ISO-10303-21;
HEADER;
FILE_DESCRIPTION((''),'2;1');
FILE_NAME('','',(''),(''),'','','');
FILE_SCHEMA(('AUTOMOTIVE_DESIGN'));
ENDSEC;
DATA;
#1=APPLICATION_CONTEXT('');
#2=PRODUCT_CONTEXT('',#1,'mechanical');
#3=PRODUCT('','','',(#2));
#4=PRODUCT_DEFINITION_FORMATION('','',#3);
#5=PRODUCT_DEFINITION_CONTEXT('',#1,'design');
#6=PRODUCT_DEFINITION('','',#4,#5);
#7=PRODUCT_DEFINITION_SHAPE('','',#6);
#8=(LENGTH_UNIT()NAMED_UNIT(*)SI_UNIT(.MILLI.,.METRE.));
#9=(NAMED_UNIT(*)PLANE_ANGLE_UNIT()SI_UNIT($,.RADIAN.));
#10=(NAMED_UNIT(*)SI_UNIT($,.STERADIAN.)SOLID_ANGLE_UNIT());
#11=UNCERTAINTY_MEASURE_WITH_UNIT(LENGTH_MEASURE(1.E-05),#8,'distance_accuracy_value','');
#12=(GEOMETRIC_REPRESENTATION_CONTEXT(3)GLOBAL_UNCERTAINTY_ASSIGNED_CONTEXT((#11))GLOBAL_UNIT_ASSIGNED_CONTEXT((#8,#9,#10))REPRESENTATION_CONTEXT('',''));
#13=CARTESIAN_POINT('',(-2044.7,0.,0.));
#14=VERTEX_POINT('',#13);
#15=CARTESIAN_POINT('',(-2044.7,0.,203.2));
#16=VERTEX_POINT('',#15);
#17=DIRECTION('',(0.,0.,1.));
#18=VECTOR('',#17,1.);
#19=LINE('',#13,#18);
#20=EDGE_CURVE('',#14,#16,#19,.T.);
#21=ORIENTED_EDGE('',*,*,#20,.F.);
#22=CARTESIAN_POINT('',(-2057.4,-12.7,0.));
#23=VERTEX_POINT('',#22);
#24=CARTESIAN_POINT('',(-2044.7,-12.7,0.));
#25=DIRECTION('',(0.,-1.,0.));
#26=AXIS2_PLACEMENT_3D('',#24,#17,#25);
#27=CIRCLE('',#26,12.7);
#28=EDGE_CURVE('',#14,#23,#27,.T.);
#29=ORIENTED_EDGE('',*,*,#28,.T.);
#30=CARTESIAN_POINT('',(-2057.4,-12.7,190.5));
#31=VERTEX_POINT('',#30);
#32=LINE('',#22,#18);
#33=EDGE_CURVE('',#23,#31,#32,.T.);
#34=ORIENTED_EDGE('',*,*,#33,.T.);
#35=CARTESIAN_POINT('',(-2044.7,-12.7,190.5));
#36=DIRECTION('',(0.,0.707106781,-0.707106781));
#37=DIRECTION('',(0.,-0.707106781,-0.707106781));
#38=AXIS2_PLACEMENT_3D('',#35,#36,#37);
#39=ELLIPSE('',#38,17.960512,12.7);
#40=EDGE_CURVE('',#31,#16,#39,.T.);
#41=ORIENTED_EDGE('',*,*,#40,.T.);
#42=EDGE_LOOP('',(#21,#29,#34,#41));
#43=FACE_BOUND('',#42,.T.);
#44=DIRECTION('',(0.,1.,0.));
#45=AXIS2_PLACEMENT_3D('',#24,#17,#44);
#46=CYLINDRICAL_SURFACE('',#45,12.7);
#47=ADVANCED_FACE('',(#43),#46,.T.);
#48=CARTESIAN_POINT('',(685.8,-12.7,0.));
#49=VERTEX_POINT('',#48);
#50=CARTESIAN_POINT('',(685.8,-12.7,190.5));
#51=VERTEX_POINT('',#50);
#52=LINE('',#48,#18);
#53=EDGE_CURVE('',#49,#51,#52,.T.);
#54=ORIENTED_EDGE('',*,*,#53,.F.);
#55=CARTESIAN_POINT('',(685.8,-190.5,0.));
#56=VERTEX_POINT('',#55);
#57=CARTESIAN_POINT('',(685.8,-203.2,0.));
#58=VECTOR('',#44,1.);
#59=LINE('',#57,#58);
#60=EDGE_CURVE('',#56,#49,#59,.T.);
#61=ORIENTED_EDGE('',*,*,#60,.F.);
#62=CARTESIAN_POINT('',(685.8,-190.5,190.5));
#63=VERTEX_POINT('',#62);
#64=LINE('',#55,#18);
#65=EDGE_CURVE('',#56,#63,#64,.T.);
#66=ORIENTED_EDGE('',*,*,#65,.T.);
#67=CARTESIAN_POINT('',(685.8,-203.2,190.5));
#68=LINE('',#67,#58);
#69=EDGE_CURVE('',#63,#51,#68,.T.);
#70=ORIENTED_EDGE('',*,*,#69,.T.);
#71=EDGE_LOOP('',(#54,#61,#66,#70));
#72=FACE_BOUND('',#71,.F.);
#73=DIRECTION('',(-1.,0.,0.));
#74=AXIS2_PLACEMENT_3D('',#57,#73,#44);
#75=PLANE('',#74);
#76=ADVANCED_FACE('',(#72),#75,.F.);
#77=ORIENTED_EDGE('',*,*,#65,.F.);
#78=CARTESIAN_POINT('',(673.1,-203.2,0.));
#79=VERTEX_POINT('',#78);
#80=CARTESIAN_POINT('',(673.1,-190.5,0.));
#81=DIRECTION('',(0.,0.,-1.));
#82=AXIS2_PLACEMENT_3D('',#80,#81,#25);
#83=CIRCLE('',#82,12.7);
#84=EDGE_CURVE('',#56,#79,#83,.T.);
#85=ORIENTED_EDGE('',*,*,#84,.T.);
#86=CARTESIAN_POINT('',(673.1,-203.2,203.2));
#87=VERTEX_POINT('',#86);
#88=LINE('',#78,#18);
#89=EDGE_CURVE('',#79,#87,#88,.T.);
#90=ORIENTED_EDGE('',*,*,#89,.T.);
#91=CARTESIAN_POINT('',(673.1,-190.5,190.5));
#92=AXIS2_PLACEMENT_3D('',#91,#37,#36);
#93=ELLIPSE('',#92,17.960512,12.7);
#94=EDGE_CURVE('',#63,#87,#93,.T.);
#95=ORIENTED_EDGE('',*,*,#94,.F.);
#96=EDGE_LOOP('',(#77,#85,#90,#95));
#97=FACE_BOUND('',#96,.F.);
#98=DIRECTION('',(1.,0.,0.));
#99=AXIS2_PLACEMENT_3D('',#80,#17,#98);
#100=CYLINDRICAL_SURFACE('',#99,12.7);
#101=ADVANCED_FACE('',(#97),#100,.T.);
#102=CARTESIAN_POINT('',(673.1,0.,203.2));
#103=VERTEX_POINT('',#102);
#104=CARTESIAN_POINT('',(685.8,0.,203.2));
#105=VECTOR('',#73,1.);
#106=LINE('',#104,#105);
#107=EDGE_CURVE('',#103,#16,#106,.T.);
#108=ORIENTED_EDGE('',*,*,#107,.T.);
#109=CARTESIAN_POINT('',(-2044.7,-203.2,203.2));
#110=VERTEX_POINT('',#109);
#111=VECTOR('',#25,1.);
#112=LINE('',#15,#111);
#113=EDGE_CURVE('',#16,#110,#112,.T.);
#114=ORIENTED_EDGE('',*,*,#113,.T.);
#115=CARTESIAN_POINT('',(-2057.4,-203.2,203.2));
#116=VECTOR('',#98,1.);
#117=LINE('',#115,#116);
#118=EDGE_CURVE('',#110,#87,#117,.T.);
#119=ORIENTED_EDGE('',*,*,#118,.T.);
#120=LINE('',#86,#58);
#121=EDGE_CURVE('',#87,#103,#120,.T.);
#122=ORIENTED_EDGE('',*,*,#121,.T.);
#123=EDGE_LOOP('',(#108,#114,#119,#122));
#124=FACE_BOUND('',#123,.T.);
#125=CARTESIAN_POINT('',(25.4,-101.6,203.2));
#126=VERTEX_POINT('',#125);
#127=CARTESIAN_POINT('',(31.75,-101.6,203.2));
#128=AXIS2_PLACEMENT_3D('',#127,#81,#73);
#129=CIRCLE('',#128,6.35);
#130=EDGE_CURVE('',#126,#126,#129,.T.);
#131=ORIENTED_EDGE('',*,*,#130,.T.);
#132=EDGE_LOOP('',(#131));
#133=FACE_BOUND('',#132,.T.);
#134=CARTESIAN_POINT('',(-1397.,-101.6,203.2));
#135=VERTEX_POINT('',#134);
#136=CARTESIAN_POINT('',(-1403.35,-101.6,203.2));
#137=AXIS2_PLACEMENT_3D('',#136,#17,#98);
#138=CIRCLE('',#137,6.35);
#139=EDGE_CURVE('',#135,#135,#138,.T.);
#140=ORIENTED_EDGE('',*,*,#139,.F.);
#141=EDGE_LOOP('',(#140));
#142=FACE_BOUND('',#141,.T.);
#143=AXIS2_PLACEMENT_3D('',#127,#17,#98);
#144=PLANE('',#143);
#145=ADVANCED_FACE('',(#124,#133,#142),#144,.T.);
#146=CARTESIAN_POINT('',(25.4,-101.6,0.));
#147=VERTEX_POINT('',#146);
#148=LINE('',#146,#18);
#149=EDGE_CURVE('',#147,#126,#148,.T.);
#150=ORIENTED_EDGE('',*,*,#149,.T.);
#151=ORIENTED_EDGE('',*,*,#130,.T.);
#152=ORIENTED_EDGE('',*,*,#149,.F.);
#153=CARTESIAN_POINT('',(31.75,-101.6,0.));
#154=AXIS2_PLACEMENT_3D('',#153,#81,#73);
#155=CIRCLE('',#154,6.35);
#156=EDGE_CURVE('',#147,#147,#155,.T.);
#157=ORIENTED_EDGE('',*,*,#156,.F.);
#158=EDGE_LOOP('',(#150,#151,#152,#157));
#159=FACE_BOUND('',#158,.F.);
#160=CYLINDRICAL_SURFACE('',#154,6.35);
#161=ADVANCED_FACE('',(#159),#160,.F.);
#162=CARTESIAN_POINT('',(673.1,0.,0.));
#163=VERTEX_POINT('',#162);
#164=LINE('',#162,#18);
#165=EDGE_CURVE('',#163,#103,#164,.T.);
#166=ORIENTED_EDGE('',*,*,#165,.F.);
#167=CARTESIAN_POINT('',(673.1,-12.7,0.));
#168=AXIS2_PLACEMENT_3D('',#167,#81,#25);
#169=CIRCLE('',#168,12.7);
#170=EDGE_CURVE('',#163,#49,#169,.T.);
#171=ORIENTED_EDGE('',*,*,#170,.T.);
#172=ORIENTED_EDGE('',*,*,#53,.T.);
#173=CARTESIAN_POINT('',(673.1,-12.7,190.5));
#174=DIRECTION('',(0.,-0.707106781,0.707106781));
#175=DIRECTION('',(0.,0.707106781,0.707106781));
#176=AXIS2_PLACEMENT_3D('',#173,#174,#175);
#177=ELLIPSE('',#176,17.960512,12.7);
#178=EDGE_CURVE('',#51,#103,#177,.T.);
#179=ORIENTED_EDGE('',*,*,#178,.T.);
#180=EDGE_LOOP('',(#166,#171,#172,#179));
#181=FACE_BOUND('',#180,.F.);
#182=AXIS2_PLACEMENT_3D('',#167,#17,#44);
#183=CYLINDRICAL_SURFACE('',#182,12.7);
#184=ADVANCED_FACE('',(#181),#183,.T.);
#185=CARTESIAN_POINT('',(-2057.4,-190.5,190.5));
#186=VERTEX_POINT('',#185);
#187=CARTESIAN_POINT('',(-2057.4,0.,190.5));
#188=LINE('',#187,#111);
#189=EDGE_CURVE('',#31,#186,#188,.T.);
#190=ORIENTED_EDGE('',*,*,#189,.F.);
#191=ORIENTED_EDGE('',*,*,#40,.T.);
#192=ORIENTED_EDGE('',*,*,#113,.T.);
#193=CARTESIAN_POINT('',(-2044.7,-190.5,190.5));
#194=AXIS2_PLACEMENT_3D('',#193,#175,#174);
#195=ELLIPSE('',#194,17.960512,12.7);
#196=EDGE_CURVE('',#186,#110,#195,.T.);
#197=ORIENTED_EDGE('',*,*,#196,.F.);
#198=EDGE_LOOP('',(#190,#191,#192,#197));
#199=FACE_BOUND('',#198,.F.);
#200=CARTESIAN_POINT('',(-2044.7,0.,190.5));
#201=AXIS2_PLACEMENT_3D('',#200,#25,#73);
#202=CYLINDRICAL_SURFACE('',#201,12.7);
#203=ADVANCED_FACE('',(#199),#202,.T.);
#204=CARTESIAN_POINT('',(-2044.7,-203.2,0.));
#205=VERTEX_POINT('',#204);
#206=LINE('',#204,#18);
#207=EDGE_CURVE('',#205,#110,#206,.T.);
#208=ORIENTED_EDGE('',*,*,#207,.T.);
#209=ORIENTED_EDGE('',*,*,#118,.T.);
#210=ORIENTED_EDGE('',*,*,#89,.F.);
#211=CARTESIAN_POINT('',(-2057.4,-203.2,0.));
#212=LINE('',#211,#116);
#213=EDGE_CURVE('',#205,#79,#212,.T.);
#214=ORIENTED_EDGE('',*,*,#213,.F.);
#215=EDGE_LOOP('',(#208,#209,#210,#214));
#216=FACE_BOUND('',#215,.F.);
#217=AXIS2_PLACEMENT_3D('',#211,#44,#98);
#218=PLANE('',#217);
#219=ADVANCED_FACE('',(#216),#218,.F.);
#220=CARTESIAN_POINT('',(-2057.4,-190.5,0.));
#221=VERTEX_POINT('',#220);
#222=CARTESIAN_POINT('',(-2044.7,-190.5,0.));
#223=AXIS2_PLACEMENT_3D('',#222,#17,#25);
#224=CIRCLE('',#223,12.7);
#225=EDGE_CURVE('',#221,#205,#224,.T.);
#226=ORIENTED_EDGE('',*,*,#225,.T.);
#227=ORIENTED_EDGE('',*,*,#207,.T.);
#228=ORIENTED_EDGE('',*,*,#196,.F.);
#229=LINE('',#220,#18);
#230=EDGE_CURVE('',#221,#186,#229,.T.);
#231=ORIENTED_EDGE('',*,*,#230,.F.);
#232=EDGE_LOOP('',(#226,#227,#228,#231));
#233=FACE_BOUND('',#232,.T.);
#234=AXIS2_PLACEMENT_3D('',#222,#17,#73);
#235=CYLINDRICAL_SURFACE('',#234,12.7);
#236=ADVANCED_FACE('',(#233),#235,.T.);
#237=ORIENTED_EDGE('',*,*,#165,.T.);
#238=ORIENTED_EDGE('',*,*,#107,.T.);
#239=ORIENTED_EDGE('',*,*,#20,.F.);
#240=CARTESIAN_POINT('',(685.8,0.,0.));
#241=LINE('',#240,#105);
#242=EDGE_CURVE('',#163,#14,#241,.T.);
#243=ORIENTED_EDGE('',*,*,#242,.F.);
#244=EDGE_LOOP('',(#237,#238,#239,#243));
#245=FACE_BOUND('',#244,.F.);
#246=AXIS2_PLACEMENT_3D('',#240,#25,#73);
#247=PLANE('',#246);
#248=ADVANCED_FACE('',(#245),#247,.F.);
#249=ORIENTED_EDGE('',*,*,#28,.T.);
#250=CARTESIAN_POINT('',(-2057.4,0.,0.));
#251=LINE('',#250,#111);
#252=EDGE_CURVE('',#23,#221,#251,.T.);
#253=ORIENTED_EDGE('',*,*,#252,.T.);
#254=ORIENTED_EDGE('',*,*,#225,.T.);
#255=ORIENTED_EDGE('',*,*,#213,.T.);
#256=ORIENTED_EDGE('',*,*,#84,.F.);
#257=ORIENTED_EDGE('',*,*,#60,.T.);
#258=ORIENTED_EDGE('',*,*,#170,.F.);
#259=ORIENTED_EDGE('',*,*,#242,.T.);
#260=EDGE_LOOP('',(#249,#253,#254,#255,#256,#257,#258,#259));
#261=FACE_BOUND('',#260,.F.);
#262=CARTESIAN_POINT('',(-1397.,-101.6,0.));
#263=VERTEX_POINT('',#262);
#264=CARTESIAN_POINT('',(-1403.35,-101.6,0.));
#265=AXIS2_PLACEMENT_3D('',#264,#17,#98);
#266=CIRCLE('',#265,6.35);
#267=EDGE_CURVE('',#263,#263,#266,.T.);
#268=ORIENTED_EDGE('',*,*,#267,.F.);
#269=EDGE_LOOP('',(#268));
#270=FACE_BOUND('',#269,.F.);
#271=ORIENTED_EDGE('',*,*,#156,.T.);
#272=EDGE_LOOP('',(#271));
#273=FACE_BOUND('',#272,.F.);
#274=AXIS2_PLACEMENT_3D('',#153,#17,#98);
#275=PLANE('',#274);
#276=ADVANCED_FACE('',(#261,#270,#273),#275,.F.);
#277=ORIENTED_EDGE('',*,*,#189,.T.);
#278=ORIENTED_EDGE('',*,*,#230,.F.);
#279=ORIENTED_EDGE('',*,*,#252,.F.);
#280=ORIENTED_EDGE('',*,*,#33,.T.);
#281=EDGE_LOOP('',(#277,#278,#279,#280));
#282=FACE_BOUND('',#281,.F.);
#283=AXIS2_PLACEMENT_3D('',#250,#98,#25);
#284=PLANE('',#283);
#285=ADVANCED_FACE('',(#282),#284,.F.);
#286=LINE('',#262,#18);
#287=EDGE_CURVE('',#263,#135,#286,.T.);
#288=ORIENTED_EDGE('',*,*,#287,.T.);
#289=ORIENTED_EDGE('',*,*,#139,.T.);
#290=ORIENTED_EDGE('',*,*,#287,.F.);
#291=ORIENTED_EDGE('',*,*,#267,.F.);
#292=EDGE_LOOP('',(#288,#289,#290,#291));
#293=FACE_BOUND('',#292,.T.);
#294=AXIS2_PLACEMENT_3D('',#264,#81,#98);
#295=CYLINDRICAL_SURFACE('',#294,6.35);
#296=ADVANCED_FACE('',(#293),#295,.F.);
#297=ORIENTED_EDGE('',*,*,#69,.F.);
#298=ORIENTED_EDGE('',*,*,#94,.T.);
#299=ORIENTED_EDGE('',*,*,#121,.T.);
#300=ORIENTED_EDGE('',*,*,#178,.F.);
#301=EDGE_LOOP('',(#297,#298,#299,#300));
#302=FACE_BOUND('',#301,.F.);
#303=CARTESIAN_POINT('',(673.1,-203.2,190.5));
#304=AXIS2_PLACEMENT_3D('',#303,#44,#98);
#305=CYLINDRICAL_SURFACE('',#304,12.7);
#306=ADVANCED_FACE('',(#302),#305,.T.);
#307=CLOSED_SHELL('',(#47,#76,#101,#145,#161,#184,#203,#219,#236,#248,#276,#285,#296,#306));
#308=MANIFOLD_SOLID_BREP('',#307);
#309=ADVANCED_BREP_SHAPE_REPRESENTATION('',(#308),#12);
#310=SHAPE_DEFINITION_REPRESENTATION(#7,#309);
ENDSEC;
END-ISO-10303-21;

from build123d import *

# Parameters (mm, degrees)
F0_R     = 6.35
F1_DEPTH = 203.2
F2_R     = 12.7


with BuildPart() as f1:
    # F0 (on Top) → F1 (new body)
    with BuildSketch(Plane.XY):
        with BuildLine():
            ThreePointArc((38.1, -101.6), (31.75, -95.25), (25.4, -101.6))
            ThreePointArc((25.4, -101.6), (31.75, -107.95), (38.1, -101.6))
        make_face()
        Polygon((685.8, 0), (0, 0), (-685.8, 0), (-685.8, -101.6), (-685.8, -203.2), (685.8, -203.2), align=None)
        with BuildLine():
            ThreePointArc((38.1, -101.6), (31.75, -107.95), (25.4, -101.6))
            ThreePointArc((25.4, -101.6), (31.75, -95.25), (38.1, -101.6))
        make_face(mode=Mode.SUBTRACT)
        with Locations((-1403.35, -101.6)):
            Circle(F0_R)
        Polygon((-685.8, -101.6), (-685.8, 0), (-2057.4, 0), (-2057.4, -203.2), (-685.8, -203.2), align=None)
        with Locations((-1403.35, -101.6)):
            Circle(F0_R, mode=Mode.SUBTRACT)
    extrude(amount=F1_DEPTH)

    # F2
    f2_edges = [f1.edges().sort_by_distance(p)[0] for p in [
        (685.8, -101.6, 203.2),
        (685.8, -203.2, 101.6),
        (685.8, 0, 101.6),
        (-2057.4, -203.2, 101.6),
        (-2057.4, -101.6, 203.2),
        (-2057.4, 0, 101.6),
    ]]
    fillet(f2_edges, radius=F2_R)


solid = f1.part
